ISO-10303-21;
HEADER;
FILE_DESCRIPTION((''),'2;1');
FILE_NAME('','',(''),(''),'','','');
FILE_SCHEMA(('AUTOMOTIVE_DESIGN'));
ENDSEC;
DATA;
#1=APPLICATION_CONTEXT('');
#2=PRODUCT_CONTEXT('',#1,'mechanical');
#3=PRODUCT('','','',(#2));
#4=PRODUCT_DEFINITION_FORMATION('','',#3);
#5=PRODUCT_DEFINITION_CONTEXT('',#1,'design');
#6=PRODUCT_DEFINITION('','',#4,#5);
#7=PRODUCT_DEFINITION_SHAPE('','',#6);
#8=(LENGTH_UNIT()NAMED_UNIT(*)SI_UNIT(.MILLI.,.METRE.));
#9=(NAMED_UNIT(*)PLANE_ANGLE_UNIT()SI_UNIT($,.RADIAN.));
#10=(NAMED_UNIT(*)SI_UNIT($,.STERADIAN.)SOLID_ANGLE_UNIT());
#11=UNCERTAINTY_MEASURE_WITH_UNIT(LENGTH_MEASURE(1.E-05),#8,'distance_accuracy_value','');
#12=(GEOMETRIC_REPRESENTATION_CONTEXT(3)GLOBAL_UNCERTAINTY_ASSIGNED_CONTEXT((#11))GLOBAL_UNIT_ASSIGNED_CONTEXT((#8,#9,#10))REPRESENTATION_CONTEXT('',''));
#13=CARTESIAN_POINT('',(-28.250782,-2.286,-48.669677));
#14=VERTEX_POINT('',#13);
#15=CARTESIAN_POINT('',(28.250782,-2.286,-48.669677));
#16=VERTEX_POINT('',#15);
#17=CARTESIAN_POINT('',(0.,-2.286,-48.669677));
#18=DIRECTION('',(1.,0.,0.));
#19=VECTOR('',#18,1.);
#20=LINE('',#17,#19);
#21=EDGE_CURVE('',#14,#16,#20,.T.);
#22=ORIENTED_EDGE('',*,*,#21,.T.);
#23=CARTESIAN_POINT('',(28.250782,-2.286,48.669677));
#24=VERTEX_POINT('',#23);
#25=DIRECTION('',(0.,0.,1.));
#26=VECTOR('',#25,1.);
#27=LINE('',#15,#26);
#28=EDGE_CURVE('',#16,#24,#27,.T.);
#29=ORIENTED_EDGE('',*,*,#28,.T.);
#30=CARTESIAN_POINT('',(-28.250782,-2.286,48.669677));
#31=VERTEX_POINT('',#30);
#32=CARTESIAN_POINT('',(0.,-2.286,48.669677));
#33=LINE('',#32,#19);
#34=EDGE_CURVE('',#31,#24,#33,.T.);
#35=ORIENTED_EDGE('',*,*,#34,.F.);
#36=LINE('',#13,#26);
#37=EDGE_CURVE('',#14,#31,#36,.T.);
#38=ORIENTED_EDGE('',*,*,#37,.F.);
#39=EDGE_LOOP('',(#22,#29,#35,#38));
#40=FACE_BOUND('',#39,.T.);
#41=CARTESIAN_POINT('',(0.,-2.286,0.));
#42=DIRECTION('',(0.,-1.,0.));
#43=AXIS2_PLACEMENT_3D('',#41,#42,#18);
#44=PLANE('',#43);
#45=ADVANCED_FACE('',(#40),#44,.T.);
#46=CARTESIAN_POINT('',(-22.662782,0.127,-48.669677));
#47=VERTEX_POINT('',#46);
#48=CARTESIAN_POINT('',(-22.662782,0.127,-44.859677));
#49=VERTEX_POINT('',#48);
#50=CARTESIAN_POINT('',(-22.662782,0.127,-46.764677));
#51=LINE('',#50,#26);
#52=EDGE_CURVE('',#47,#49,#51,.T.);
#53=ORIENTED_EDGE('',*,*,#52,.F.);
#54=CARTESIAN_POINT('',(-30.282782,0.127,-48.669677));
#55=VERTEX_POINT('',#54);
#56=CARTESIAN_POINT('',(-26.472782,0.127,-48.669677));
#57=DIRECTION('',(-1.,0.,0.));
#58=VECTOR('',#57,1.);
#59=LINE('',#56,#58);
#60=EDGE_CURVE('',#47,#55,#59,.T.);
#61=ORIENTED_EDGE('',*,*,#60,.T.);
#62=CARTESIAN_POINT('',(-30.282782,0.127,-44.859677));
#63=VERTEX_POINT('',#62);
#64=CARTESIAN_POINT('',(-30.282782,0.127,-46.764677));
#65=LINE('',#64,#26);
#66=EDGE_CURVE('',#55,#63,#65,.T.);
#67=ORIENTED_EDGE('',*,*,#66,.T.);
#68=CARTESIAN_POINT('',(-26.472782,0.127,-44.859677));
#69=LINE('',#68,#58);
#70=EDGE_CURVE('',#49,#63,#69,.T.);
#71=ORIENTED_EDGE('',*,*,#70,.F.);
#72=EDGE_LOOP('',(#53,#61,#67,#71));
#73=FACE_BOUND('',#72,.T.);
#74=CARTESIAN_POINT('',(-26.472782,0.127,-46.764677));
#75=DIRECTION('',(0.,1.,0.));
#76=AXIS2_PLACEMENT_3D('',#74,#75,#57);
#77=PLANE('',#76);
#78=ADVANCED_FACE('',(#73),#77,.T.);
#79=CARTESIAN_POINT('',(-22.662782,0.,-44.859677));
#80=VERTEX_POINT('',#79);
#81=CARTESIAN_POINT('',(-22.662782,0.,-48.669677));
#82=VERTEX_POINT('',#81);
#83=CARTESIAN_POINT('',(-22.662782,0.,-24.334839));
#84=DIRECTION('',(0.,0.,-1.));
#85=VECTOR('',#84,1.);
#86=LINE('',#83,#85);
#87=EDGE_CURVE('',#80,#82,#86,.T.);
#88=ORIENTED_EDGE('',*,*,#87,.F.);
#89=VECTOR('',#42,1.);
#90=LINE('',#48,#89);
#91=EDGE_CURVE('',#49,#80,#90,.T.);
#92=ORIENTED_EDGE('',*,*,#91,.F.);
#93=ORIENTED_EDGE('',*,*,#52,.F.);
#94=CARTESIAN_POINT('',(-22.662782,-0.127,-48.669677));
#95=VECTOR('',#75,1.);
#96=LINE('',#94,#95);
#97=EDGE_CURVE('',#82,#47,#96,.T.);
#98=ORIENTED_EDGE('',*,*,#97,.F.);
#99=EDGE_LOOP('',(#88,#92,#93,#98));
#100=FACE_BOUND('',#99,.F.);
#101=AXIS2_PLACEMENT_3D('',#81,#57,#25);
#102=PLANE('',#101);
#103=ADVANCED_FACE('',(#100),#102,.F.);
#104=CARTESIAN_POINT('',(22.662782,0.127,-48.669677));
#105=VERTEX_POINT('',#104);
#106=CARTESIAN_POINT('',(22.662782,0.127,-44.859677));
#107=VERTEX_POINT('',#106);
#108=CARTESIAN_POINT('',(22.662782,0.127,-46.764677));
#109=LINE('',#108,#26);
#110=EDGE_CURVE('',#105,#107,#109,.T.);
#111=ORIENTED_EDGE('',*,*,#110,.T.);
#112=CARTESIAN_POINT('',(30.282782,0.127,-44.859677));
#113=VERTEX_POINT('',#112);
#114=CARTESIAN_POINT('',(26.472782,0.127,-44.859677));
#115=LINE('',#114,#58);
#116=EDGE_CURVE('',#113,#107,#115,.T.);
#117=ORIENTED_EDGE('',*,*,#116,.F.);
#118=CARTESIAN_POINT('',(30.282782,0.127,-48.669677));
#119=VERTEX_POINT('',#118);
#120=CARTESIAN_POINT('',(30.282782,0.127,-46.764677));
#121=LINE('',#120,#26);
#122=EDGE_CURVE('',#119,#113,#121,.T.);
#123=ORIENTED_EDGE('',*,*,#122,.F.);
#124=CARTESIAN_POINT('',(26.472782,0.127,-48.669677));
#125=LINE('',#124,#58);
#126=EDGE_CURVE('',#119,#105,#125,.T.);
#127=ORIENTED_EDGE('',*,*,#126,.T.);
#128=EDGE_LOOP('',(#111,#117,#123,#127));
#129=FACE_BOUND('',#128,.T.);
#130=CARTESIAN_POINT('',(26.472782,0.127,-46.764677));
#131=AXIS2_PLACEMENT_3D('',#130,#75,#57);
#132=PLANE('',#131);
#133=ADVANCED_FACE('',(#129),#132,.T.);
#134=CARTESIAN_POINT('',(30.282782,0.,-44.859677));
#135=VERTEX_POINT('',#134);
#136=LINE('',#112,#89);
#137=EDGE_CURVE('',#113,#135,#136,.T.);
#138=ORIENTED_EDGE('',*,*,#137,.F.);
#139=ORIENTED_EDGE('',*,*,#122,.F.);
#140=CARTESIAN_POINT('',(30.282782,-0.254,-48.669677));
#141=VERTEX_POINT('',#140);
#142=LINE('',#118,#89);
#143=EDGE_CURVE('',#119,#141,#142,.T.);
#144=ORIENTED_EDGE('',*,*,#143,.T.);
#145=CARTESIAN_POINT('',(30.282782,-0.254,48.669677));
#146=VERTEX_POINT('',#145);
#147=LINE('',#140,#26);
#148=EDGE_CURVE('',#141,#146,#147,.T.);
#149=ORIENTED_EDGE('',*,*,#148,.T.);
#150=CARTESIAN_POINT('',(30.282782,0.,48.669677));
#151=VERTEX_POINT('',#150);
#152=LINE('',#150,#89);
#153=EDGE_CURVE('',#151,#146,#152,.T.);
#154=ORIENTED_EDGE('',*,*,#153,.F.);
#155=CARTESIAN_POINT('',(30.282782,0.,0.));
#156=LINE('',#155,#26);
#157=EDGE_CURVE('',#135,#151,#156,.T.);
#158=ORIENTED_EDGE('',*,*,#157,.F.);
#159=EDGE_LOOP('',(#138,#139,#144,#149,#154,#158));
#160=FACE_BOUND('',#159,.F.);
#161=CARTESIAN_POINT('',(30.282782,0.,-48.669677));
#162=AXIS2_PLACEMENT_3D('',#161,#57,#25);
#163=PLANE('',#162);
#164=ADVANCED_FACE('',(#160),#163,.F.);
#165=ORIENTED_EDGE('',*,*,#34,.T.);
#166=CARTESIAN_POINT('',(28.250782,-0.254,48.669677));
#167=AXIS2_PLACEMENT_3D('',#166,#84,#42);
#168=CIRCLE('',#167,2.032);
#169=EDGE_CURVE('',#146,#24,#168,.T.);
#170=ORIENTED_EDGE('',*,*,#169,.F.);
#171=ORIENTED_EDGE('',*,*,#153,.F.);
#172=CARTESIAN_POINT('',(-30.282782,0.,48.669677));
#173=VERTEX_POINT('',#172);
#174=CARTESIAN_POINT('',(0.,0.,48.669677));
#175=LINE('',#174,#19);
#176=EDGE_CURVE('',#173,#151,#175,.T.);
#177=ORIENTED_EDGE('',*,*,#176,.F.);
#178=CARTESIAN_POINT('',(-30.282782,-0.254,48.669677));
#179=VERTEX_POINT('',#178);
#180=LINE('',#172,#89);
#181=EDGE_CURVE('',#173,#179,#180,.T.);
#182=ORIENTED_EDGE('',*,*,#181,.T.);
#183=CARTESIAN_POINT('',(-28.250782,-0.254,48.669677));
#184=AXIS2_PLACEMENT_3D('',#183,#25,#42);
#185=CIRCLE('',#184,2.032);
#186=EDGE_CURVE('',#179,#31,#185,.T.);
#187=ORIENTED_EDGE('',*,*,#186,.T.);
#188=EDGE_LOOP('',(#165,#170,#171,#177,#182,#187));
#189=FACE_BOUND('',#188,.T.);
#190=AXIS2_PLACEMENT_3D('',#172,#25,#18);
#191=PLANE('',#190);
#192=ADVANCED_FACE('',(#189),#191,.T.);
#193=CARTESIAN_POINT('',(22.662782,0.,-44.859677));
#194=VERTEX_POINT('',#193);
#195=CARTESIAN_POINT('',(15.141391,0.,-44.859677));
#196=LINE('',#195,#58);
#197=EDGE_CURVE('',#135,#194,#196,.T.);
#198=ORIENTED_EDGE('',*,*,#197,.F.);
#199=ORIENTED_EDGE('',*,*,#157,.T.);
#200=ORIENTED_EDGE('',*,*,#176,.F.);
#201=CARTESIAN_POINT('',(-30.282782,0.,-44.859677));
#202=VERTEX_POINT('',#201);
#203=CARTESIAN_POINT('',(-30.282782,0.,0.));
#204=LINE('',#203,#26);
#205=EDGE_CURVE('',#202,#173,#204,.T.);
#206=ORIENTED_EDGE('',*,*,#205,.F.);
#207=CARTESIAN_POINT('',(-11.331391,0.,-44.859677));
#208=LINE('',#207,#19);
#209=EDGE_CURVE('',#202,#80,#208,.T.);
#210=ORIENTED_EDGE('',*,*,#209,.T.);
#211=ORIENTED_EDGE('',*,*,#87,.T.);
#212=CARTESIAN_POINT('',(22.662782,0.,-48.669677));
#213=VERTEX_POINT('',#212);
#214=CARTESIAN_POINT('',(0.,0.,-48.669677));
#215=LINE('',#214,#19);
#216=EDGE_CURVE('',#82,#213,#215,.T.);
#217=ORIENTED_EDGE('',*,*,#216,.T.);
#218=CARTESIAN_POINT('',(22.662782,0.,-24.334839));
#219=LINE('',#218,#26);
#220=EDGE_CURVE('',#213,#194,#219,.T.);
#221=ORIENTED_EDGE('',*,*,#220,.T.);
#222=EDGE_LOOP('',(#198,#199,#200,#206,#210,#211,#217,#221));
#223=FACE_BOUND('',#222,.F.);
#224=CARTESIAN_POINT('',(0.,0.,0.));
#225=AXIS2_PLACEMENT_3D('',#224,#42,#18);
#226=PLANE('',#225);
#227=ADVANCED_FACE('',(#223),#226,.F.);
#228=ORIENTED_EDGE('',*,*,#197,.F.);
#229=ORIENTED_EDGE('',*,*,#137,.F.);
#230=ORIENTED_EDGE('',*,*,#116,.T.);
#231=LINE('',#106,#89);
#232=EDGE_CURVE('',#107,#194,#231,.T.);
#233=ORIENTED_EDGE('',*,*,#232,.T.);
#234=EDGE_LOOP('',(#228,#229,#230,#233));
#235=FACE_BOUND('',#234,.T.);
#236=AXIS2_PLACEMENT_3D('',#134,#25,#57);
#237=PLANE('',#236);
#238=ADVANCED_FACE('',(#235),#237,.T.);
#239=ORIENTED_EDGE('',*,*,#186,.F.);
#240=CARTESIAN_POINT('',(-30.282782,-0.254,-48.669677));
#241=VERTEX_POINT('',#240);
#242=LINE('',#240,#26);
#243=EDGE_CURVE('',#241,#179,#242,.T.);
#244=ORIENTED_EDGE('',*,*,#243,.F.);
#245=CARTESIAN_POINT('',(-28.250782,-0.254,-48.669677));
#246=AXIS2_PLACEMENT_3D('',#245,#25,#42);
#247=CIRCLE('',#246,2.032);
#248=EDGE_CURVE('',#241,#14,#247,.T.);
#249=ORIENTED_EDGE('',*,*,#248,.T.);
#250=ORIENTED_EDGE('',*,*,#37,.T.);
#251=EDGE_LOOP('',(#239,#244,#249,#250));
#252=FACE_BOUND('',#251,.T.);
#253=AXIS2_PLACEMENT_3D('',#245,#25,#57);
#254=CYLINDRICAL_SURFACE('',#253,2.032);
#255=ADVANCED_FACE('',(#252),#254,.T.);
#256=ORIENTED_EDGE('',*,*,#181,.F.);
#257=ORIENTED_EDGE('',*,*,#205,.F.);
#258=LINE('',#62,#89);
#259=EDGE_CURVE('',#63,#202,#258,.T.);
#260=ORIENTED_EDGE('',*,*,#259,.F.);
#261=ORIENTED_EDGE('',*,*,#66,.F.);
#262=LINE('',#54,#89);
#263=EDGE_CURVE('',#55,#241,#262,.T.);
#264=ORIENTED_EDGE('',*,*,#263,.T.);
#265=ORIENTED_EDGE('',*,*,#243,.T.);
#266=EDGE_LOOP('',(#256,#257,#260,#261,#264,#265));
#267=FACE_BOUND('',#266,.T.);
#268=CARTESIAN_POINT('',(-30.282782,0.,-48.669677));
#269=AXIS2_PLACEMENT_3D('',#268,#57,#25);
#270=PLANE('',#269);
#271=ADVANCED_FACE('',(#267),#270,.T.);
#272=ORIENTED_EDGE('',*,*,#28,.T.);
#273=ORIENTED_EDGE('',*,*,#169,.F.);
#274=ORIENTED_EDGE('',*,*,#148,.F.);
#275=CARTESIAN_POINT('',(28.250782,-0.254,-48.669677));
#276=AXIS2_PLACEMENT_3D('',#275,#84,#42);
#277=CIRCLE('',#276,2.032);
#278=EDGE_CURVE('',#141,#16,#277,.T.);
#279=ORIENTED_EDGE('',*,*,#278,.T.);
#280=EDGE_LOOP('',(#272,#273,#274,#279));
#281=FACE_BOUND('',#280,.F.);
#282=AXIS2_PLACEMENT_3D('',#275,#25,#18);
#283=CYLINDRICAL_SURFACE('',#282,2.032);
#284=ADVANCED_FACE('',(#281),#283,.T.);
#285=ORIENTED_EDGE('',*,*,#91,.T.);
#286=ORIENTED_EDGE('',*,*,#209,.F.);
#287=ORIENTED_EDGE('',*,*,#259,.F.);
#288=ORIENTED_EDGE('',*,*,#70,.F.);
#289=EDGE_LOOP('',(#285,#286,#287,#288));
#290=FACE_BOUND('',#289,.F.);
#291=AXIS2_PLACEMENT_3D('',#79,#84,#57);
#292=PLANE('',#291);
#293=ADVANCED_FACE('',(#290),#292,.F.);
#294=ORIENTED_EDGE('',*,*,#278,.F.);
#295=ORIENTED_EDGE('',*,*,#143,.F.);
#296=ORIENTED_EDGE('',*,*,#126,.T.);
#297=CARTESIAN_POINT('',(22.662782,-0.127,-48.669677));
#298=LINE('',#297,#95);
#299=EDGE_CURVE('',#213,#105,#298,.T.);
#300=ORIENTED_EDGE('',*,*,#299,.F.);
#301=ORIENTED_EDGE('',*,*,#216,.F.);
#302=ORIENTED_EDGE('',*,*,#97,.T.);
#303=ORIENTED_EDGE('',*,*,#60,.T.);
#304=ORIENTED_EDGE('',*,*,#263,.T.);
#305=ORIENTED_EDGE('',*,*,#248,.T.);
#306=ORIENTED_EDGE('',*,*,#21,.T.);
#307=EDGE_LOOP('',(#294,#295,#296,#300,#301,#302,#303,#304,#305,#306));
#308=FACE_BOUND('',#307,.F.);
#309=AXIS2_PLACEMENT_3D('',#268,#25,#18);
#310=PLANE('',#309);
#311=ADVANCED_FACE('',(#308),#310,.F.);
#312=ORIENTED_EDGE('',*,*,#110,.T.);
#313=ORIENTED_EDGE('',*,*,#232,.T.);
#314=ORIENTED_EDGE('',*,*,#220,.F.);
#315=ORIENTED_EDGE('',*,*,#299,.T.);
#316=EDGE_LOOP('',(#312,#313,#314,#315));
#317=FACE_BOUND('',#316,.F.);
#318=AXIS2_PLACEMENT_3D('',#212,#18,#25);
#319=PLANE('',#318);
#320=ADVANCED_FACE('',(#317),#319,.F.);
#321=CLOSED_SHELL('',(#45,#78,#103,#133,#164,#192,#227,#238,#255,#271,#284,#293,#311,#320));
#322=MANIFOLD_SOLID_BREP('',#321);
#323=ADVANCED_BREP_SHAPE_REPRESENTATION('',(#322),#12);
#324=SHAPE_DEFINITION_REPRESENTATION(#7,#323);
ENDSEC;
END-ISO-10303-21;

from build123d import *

# Parameters (mm, degrees)
F0_W     = 60.565564
F0_H     = 97.339354
F1_DEPTH = 2.286
F2_R     = 2.032
F3_W     = 7.62
F3_H     = 3.81
F4_DEPTH = 0.127


with BuildPart() as f1:
    # F0 (on Front) → F1 (new body)
    with BuildSketch(Plane.XZ):
        Rectangle(F0_W, F0_H)
    extrude(amount=F1_DEPTH)

    # F2
    f2_edges = [f1.edges().sort_by_distance(p)[0] for p in [
        (30.282782, -2.286, 0),
        (-30.282782, -2.286, 0),
    ]]
    fillet(f2_edges, radius=F2_R)

    # F3 (on face) → F4 (join, symmetric)
    with BuildSketch(Plane(origin=(0, 0, 0), x_dir=(-1, 0, 0), z_dir=(0, 1, 0))):
        with Locations((-26.472782, -46.764677)):
            Rectangle(F3_W, F3_H)
        with Locations((26.472782, -46.764677)):
            Rectangle(F3_W, F3_H)
    extrude(amount=F4_DEPTH, both=True)


solid = f1.part
